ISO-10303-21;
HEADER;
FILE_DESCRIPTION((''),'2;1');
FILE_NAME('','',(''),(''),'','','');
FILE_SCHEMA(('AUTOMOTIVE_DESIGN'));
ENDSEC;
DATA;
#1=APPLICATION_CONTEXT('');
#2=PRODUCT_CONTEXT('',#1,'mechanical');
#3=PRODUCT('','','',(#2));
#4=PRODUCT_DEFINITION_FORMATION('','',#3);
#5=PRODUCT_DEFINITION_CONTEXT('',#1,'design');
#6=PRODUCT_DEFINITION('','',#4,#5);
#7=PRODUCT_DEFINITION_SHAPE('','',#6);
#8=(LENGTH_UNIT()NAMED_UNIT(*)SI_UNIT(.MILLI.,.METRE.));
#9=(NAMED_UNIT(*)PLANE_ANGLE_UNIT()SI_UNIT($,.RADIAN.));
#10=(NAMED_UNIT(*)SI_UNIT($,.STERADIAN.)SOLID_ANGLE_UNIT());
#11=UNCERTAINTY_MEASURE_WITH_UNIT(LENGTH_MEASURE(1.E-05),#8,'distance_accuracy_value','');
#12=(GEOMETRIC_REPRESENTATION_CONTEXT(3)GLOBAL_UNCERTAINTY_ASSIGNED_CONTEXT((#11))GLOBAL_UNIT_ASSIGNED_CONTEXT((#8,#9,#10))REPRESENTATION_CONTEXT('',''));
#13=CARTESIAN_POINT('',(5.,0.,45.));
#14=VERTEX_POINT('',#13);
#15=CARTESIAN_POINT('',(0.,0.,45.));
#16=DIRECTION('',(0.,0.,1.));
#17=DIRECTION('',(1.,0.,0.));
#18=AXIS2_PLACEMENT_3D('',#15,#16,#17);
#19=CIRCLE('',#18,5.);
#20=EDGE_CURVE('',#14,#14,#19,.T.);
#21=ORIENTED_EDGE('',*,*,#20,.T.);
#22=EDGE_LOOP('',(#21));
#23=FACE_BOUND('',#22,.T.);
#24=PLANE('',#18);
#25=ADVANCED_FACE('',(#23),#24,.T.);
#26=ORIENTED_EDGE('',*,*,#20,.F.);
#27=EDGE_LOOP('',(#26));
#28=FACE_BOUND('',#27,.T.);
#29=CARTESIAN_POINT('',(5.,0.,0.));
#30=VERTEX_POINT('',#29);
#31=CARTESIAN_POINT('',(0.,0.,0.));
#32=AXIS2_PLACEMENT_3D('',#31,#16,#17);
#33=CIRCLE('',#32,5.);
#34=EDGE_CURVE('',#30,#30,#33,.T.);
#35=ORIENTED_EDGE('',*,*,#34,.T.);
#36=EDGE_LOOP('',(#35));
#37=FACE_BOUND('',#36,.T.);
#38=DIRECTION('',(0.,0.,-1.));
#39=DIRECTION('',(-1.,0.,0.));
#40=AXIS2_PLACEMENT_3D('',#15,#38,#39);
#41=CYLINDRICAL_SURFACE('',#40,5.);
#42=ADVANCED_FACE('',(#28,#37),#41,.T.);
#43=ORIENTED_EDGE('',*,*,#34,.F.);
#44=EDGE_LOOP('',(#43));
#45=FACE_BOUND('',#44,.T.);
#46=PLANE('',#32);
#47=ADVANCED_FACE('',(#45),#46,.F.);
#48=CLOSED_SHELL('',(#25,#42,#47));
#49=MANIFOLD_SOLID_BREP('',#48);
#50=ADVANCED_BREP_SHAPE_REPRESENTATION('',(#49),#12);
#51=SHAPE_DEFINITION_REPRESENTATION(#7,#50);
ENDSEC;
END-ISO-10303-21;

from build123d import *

# Parameters (mm, degrees)
SKETCH1_R          = 5
BASE_EXTRUDE_DEPTH = 45


with BuildPart() as part:
    # Sketch1 → Base-Extrude (new body)
    with BuildSketch(Plane.XY):
        Circle(SKETCH1_R)
    extrude(amount=BASE_EXTRUDE_DEPTH)


solid = part.part
